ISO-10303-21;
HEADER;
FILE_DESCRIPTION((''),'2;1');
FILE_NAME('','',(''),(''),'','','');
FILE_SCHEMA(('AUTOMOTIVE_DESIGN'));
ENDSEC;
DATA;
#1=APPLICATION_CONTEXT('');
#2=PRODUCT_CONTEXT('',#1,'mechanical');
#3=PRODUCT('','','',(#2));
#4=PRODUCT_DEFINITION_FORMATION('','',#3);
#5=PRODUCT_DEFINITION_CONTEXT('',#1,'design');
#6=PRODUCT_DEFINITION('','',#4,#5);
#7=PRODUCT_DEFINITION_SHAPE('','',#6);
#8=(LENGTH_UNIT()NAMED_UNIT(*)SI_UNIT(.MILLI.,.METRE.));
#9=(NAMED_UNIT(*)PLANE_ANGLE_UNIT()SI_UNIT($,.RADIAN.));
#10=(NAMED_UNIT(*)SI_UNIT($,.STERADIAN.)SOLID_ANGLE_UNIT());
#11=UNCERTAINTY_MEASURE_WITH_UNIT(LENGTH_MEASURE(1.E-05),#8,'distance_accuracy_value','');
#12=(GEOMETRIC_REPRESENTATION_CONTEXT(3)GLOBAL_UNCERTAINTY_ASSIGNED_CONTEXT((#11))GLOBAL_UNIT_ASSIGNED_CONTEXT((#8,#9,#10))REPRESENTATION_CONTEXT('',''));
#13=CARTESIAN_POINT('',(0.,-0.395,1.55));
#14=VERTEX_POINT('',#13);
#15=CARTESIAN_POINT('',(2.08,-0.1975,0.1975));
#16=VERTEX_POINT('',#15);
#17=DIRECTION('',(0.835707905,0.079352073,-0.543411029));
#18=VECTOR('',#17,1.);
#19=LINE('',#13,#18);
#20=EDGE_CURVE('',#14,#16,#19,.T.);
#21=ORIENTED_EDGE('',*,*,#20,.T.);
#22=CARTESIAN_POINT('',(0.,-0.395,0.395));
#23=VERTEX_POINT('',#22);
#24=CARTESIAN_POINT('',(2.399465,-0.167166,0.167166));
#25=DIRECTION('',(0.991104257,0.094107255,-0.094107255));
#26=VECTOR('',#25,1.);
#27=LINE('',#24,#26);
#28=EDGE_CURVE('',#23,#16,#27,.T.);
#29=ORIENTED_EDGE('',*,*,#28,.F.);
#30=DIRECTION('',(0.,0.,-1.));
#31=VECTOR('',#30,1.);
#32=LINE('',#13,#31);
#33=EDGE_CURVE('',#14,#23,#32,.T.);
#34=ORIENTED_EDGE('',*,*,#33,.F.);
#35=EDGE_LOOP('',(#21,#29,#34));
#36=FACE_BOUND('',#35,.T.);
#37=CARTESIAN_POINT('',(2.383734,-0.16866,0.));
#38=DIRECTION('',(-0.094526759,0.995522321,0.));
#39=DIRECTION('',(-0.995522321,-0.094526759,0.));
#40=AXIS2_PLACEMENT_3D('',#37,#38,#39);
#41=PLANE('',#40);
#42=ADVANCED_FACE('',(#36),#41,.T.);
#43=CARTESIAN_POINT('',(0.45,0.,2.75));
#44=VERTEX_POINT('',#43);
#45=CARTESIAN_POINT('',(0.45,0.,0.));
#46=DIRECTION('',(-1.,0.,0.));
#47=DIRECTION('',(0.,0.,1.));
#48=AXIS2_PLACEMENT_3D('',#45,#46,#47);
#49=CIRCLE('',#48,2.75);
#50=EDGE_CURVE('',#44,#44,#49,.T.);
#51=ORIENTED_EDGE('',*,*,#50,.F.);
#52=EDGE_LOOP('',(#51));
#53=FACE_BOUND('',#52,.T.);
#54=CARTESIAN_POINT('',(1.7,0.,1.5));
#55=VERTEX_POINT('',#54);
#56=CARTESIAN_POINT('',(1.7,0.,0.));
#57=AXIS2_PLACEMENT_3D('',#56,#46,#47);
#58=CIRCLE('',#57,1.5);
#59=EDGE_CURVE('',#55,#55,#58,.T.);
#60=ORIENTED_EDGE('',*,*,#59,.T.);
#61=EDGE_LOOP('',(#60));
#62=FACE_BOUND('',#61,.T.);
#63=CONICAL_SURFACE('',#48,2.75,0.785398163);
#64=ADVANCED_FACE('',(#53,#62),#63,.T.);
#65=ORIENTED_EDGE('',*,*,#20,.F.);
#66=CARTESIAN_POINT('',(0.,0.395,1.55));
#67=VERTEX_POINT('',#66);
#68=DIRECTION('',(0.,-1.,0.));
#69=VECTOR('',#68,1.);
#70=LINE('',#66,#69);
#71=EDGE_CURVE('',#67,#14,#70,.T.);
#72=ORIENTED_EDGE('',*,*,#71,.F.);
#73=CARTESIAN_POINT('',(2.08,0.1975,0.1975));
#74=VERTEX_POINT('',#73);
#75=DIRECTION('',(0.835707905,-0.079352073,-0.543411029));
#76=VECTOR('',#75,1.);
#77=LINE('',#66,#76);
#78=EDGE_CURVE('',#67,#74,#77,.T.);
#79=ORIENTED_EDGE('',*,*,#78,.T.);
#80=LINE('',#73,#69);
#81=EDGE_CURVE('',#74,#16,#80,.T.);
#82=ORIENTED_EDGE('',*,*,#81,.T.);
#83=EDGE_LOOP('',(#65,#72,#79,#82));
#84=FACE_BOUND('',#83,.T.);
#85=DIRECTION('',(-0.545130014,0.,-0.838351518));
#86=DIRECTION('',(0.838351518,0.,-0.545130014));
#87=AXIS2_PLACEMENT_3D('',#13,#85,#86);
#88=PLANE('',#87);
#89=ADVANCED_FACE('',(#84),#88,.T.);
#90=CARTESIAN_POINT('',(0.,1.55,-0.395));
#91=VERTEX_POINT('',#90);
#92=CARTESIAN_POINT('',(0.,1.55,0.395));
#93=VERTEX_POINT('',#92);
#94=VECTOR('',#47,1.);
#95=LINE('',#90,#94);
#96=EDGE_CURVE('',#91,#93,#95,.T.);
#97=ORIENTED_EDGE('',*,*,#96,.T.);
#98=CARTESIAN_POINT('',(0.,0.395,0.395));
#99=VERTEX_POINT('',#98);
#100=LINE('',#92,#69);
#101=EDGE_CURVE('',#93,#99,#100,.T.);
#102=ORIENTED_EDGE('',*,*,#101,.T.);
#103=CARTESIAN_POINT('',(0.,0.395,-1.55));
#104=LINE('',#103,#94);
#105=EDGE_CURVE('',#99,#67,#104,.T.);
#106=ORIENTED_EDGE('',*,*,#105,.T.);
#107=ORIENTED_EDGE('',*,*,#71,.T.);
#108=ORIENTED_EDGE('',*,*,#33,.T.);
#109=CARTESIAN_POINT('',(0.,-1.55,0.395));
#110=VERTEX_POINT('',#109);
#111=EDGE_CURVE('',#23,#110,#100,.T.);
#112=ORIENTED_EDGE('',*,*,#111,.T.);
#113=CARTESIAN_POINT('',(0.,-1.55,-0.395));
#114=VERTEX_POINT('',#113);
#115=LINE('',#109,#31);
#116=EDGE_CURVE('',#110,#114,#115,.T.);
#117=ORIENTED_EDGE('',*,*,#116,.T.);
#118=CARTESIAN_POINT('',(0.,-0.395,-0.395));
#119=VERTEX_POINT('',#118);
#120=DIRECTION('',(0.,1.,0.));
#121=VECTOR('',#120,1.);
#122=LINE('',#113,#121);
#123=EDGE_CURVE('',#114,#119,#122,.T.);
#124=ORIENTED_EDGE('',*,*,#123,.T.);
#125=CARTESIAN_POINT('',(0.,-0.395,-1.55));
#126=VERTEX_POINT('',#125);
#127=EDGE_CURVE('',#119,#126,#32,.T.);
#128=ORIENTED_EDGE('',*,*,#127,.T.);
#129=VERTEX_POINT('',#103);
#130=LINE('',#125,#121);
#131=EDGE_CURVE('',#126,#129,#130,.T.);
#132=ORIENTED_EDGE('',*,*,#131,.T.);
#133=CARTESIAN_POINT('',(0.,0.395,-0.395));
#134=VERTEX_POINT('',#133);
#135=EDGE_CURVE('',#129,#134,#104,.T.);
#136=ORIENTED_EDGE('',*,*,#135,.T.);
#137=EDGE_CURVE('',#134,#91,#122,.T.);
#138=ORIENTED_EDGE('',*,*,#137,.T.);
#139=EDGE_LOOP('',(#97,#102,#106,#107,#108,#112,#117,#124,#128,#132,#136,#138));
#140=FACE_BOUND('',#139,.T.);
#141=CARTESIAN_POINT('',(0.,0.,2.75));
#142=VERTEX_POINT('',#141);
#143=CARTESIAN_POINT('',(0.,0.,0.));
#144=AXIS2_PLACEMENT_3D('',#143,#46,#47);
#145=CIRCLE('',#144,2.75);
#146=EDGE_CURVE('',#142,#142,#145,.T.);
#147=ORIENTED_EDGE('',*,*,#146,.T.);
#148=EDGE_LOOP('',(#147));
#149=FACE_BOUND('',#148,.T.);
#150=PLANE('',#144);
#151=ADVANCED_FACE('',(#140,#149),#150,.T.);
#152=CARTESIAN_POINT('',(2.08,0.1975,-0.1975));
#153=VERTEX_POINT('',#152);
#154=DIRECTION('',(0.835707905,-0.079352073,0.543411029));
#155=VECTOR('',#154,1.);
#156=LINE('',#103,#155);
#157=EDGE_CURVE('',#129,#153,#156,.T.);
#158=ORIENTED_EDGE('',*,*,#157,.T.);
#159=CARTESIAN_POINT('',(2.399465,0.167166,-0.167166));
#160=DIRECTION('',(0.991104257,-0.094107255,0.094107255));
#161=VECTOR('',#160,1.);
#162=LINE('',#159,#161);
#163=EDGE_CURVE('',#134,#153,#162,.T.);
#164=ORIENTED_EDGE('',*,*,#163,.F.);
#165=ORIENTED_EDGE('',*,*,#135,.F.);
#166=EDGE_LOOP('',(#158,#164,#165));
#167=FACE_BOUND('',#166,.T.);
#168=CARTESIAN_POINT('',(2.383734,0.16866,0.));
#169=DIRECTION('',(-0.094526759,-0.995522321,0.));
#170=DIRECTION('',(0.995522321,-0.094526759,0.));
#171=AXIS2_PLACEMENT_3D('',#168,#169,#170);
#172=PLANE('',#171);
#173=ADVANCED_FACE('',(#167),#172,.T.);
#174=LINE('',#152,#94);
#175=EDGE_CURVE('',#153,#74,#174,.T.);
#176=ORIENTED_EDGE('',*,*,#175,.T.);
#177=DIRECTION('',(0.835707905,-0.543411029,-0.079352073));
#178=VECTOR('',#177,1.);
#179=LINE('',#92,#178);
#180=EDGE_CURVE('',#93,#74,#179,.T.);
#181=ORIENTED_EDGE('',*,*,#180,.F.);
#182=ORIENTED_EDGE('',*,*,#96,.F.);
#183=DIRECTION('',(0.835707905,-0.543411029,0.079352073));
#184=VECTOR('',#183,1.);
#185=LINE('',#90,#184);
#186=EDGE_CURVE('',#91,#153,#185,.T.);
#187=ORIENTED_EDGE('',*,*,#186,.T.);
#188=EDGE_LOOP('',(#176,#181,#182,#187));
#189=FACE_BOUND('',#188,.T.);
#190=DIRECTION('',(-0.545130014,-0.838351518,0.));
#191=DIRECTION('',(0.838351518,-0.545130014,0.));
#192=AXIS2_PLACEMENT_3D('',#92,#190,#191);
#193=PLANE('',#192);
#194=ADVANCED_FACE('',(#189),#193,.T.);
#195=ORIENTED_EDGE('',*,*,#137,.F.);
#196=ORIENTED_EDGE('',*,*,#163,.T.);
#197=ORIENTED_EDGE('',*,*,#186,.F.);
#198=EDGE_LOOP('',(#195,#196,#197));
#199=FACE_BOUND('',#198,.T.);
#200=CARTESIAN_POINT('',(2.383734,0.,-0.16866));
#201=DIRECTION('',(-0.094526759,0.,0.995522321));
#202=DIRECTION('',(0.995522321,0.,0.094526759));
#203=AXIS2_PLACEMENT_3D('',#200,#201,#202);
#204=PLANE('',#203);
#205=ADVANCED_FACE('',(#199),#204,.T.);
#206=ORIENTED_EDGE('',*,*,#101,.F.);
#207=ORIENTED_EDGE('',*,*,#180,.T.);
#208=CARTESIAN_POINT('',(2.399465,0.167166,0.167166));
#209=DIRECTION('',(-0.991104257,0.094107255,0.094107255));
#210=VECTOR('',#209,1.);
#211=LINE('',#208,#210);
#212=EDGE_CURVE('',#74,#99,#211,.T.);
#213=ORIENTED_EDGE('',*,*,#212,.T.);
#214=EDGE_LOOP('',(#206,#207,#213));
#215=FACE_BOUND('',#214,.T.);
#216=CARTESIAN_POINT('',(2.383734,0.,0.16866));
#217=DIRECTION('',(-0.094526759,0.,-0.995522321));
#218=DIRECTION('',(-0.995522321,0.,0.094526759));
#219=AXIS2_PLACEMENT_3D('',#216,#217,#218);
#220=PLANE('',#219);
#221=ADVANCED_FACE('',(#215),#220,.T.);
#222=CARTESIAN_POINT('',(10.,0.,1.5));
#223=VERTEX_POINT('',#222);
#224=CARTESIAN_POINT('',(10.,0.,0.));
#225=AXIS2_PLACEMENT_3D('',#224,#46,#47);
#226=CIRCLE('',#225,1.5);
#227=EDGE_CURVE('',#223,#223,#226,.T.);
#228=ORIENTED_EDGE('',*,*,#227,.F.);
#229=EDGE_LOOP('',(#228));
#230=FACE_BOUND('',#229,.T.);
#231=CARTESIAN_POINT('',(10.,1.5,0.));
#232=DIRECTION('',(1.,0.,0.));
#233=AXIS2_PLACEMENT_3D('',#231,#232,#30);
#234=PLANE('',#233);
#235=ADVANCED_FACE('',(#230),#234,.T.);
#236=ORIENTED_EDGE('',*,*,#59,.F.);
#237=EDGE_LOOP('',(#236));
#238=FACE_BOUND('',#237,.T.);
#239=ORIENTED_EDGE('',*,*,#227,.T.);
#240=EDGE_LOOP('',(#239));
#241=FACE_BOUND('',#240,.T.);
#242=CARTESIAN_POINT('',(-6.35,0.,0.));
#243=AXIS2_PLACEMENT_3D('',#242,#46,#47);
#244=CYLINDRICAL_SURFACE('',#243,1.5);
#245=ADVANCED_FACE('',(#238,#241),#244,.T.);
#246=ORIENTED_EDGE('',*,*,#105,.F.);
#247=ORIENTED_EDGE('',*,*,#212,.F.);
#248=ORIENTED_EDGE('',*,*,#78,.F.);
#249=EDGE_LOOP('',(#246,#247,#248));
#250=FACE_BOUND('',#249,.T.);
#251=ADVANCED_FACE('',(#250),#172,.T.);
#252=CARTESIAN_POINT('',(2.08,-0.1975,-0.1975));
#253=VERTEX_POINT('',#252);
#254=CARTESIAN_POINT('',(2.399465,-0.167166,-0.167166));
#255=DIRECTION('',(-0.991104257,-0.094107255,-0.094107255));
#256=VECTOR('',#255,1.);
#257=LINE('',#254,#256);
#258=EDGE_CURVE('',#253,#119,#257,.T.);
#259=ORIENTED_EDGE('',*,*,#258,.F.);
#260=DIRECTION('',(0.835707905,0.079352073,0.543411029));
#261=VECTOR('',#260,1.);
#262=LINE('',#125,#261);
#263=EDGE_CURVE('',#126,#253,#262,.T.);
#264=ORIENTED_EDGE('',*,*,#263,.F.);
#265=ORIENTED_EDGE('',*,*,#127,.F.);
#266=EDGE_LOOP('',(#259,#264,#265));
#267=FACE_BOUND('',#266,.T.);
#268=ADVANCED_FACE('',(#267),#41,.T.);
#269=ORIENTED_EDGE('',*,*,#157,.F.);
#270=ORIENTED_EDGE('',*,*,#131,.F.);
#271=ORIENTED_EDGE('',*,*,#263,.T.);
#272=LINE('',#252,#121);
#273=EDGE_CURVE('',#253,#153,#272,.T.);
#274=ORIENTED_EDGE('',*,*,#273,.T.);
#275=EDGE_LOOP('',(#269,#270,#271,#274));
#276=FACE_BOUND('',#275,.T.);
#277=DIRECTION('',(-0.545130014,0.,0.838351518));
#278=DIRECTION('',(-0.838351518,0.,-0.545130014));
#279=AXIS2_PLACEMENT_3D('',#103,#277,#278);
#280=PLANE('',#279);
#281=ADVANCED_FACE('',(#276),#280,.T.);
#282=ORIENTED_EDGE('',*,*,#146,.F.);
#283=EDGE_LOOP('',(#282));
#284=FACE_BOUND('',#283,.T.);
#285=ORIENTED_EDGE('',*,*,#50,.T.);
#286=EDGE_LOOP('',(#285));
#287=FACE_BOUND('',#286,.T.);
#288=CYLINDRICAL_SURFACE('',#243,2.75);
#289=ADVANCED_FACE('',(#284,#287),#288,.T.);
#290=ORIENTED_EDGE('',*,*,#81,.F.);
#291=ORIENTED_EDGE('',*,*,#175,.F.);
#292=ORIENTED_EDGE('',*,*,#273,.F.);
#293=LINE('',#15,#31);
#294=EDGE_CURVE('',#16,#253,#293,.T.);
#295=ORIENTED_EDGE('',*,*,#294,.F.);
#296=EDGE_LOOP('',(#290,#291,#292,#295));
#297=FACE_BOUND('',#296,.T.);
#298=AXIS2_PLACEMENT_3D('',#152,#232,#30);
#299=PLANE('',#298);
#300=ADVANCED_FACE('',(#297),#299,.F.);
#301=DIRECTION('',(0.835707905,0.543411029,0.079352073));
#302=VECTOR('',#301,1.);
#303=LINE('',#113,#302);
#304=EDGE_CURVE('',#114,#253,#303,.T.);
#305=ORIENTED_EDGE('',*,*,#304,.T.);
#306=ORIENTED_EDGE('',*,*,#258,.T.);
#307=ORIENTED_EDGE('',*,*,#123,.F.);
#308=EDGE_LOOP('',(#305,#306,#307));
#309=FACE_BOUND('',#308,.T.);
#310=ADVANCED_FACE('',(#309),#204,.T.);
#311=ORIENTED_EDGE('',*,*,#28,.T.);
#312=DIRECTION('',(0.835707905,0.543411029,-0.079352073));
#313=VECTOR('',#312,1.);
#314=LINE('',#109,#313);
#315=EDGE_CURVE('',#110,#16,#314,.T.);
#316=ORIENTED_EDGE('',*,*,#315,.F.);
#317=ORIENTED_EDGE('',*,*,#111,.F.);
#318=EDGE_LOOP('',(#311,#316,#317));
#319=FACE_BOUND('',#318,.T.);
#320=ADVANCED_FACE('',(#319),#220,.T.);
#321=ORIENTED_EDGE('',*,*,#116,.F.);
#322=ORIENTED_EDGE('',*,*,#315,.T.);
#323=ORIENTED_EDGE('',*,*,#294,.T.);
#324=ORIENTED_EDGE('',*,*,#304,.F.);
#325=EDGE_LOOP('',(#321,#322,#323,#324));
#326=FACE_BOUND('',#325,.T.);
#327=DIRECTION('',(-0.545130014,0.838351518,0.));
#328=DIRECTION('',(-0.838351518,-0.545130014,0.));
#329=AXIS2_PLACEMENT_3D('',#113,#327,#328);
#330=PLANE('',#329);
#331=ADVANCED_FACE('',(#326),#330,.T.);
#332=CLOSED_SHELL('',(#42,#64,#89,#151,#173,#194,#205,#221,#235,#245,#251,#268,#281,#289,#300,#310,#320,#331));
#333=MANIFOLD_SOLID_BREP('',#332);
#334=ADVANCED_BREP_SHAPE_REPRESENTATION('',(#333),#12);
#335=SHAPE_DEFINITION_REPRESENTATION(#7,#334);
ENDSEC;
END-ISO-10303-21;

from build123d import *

# Parameters (mm, degrees)
CIRPATTERN1_COUNT = 2
CIRPATTERN1_ANGLE = 90


with BuildPart() as part:
    # BodySke → Base-Revolve (revolve)
    with BuildSketch(Plane.XY, mode=Mode.PRIVATE) as base_revolve_sk:
        Polygon((0, 0), (0, 2.75), (0.45, 2.75), (1.7, 1.5), (10, 1.5), (10, 0), align=None)
    revolve(base_revolve_sk.sketch.rotate(Axis((-6.35, 0, 0), (1, 0, 0)), 90), axis=Axis((-6.35, 0, 0), (1, 0, 0)))

    # Sketch3 → Cross section 0
    with BuildSketch(Plane.ZY):
        with BuildLine():
            Line((-0.395, 1.55), (0.395, 1.55))
            Line((0.395, 1.55), (0.395, -1.55))
            Line((0.395, -1.55), (-0.395, -1.55))
            Line((-0.395, -1.55), (-0.395, 1.55))
        make_face()
    # Sketch4 → Cross section 1
    with BuildSketch(Plane.ZY.offset(-2.08)):
        with BuildLine():
            Line((-0.1975, 0.1975), (0.1975, 0.1975))
            Line((0.1975, 0.1975), (0.1975, -0.1975))
            Line((0.1975, -0.1975), (-0.1975, -0.1975))
            Line((-0.1975, -0.1975), (-0.1975, 0.1975))
        make_face()
    cross = loft(mode=Mode.SUBTRACT)

    # CirPattern1: Cross ×2 about axis
    cirpattern1_axis = Axis((0, 0, 0), (1, 0, 0))
    for i in range(1, CIRPATTERN1_COUNT):
        add(cross.rotate(cirpattern1_axis, i * CIRPATTERN1_ANGLE / (CIRPATTERN1_COUNT - 1)), mode=Mode.SUBTRACT)


solid = part.part
